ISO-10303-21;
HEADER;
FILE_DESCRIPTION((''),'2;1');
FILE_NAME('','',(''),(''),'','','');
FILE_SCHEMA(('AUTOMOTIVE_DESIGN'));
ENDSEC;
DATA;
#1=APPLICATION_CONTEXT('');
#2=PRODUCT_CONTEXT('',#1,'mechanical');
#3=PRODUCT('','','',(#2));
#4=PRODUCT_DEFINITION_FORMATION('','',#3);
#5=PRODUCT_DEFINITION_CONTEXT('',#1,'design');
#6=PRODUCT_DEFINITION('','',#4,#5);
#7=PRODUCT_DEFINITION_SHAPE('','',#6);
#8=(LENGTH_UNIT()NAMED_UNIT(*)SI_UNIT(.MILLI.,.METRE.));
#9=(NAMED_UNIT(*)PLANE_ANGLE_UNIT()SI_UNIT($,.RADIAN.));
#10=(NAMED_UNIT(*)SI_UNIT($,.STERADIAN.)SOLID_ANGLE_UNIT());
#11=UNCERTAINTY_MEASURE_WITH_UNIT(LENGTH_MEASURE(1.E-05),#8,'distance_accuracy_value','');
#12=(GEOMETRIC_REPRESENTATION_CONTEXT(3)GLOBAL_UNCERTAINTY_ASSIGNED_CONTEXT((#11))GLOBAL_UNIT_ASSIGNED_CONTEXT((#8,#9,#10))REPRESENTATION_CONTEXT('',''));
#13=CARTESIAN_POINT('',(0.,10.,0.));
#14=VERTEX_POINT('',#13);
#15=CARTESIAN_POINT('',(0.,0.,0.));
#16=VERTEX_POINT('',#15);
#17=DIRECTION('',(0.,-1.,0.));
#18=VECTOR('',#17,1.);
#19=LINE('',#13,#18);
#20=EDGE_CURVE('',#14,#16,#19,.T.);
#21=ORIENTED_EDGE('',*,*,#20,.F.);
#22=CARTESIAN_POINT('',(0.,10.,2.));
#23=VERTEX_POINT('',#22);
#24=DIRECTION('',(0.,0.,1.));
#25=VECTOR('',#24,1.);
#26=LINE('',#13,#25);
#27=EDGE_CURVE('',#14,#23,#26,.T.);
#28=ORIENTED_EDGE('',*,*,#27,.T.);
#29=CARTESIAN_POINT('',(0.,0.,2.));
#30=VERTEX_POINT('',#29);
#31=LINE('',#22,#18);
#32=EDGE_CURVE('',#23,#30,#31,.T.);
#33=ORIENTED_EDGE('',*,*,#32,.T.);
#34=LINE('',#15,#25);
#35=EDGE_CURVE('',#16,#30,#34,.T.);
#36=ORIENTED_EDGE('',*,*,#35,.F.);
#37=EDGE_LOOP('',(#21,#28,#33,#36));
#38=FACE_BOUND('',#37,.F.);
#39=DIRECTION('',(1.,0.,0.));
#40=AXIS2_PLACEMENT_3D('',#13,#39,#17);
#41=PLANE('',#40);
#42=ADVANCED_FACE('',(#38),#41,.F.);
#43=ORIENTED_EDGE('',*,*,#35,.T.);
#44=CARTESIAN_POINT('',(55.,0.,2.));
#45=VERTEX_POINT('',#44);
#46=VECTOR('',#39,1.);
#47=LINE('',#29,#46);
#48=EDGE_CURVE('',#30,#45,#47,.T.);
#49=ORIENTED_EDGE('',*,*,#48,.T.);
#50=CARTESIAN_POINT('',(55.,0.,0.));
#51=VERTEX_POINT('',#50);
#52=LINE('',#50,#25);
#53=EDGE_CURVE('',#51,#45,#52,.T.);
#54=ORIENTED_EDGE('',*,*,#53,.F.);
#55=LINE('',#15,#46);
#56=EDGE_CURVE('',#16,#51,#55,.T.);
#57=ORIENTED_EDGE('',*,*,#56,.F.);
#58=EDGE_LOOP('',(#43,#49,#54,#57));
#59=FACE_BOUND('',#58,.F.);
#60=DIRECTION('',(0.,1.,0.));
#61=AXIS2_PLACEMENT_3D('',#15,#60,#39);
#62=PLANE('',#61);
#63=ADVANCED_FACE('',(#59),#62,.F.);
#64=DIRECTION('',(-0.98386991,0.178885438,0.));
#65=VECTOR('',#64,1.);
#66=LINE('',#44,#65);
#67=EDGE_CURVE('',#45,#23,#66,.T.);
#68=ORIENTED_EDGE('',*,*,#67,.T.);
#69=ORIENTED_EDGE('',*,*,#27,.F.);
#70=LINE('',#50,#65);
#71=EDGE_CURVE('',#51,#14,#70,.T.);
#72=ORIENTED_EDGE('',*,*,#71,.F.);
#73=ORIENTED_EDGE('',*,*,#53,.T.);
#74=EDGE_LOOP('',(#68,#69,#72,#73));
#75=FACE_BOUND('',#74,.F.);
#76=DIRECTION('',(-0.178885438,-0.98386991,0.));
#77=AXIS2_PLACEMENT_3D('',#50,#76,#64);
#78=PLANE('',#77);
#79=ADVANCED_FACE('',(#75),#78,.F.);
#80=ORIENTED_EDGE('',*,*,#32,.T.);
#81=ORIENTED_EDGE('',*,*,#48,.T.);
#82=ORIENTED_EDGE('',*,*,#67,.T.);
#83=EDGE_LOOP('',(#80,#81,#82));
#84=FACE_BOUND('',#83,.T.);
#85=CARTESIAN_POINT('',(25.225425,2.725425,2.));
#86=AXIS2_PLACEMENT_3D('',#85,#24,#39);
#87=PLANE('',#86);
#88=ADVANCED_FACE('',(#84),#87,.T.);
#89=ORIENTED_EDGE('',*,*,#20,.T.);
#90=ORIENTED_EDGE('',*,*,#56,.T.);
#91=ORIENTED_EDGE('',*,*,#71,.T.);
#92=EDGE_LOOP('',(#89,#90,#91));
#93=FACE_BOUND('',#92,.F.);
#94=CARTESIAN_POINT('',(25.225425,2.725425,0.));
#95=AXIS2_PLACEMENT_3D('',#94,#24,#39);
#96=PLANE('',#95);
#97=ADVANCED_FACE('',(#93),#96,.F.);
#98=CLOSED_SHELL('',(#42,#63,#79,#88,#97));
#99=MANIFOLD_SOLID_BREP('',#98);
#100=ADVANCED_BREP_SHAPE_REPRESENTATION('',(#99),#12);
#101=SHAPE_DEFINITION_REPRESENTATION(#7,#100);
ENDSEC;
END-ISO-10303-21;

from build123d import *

# Parameters (mm, degrees)
PAD_DEPTH = 2


with BuildPart() as part:
    # Sketch → Pad (new body)
    with BuildSketch(Plane.XY):
        Polygon((0, 0), (55, 0), (0, 10), align=None)
    extrude(amount=PAD_DEPTH)


solid = part.part
